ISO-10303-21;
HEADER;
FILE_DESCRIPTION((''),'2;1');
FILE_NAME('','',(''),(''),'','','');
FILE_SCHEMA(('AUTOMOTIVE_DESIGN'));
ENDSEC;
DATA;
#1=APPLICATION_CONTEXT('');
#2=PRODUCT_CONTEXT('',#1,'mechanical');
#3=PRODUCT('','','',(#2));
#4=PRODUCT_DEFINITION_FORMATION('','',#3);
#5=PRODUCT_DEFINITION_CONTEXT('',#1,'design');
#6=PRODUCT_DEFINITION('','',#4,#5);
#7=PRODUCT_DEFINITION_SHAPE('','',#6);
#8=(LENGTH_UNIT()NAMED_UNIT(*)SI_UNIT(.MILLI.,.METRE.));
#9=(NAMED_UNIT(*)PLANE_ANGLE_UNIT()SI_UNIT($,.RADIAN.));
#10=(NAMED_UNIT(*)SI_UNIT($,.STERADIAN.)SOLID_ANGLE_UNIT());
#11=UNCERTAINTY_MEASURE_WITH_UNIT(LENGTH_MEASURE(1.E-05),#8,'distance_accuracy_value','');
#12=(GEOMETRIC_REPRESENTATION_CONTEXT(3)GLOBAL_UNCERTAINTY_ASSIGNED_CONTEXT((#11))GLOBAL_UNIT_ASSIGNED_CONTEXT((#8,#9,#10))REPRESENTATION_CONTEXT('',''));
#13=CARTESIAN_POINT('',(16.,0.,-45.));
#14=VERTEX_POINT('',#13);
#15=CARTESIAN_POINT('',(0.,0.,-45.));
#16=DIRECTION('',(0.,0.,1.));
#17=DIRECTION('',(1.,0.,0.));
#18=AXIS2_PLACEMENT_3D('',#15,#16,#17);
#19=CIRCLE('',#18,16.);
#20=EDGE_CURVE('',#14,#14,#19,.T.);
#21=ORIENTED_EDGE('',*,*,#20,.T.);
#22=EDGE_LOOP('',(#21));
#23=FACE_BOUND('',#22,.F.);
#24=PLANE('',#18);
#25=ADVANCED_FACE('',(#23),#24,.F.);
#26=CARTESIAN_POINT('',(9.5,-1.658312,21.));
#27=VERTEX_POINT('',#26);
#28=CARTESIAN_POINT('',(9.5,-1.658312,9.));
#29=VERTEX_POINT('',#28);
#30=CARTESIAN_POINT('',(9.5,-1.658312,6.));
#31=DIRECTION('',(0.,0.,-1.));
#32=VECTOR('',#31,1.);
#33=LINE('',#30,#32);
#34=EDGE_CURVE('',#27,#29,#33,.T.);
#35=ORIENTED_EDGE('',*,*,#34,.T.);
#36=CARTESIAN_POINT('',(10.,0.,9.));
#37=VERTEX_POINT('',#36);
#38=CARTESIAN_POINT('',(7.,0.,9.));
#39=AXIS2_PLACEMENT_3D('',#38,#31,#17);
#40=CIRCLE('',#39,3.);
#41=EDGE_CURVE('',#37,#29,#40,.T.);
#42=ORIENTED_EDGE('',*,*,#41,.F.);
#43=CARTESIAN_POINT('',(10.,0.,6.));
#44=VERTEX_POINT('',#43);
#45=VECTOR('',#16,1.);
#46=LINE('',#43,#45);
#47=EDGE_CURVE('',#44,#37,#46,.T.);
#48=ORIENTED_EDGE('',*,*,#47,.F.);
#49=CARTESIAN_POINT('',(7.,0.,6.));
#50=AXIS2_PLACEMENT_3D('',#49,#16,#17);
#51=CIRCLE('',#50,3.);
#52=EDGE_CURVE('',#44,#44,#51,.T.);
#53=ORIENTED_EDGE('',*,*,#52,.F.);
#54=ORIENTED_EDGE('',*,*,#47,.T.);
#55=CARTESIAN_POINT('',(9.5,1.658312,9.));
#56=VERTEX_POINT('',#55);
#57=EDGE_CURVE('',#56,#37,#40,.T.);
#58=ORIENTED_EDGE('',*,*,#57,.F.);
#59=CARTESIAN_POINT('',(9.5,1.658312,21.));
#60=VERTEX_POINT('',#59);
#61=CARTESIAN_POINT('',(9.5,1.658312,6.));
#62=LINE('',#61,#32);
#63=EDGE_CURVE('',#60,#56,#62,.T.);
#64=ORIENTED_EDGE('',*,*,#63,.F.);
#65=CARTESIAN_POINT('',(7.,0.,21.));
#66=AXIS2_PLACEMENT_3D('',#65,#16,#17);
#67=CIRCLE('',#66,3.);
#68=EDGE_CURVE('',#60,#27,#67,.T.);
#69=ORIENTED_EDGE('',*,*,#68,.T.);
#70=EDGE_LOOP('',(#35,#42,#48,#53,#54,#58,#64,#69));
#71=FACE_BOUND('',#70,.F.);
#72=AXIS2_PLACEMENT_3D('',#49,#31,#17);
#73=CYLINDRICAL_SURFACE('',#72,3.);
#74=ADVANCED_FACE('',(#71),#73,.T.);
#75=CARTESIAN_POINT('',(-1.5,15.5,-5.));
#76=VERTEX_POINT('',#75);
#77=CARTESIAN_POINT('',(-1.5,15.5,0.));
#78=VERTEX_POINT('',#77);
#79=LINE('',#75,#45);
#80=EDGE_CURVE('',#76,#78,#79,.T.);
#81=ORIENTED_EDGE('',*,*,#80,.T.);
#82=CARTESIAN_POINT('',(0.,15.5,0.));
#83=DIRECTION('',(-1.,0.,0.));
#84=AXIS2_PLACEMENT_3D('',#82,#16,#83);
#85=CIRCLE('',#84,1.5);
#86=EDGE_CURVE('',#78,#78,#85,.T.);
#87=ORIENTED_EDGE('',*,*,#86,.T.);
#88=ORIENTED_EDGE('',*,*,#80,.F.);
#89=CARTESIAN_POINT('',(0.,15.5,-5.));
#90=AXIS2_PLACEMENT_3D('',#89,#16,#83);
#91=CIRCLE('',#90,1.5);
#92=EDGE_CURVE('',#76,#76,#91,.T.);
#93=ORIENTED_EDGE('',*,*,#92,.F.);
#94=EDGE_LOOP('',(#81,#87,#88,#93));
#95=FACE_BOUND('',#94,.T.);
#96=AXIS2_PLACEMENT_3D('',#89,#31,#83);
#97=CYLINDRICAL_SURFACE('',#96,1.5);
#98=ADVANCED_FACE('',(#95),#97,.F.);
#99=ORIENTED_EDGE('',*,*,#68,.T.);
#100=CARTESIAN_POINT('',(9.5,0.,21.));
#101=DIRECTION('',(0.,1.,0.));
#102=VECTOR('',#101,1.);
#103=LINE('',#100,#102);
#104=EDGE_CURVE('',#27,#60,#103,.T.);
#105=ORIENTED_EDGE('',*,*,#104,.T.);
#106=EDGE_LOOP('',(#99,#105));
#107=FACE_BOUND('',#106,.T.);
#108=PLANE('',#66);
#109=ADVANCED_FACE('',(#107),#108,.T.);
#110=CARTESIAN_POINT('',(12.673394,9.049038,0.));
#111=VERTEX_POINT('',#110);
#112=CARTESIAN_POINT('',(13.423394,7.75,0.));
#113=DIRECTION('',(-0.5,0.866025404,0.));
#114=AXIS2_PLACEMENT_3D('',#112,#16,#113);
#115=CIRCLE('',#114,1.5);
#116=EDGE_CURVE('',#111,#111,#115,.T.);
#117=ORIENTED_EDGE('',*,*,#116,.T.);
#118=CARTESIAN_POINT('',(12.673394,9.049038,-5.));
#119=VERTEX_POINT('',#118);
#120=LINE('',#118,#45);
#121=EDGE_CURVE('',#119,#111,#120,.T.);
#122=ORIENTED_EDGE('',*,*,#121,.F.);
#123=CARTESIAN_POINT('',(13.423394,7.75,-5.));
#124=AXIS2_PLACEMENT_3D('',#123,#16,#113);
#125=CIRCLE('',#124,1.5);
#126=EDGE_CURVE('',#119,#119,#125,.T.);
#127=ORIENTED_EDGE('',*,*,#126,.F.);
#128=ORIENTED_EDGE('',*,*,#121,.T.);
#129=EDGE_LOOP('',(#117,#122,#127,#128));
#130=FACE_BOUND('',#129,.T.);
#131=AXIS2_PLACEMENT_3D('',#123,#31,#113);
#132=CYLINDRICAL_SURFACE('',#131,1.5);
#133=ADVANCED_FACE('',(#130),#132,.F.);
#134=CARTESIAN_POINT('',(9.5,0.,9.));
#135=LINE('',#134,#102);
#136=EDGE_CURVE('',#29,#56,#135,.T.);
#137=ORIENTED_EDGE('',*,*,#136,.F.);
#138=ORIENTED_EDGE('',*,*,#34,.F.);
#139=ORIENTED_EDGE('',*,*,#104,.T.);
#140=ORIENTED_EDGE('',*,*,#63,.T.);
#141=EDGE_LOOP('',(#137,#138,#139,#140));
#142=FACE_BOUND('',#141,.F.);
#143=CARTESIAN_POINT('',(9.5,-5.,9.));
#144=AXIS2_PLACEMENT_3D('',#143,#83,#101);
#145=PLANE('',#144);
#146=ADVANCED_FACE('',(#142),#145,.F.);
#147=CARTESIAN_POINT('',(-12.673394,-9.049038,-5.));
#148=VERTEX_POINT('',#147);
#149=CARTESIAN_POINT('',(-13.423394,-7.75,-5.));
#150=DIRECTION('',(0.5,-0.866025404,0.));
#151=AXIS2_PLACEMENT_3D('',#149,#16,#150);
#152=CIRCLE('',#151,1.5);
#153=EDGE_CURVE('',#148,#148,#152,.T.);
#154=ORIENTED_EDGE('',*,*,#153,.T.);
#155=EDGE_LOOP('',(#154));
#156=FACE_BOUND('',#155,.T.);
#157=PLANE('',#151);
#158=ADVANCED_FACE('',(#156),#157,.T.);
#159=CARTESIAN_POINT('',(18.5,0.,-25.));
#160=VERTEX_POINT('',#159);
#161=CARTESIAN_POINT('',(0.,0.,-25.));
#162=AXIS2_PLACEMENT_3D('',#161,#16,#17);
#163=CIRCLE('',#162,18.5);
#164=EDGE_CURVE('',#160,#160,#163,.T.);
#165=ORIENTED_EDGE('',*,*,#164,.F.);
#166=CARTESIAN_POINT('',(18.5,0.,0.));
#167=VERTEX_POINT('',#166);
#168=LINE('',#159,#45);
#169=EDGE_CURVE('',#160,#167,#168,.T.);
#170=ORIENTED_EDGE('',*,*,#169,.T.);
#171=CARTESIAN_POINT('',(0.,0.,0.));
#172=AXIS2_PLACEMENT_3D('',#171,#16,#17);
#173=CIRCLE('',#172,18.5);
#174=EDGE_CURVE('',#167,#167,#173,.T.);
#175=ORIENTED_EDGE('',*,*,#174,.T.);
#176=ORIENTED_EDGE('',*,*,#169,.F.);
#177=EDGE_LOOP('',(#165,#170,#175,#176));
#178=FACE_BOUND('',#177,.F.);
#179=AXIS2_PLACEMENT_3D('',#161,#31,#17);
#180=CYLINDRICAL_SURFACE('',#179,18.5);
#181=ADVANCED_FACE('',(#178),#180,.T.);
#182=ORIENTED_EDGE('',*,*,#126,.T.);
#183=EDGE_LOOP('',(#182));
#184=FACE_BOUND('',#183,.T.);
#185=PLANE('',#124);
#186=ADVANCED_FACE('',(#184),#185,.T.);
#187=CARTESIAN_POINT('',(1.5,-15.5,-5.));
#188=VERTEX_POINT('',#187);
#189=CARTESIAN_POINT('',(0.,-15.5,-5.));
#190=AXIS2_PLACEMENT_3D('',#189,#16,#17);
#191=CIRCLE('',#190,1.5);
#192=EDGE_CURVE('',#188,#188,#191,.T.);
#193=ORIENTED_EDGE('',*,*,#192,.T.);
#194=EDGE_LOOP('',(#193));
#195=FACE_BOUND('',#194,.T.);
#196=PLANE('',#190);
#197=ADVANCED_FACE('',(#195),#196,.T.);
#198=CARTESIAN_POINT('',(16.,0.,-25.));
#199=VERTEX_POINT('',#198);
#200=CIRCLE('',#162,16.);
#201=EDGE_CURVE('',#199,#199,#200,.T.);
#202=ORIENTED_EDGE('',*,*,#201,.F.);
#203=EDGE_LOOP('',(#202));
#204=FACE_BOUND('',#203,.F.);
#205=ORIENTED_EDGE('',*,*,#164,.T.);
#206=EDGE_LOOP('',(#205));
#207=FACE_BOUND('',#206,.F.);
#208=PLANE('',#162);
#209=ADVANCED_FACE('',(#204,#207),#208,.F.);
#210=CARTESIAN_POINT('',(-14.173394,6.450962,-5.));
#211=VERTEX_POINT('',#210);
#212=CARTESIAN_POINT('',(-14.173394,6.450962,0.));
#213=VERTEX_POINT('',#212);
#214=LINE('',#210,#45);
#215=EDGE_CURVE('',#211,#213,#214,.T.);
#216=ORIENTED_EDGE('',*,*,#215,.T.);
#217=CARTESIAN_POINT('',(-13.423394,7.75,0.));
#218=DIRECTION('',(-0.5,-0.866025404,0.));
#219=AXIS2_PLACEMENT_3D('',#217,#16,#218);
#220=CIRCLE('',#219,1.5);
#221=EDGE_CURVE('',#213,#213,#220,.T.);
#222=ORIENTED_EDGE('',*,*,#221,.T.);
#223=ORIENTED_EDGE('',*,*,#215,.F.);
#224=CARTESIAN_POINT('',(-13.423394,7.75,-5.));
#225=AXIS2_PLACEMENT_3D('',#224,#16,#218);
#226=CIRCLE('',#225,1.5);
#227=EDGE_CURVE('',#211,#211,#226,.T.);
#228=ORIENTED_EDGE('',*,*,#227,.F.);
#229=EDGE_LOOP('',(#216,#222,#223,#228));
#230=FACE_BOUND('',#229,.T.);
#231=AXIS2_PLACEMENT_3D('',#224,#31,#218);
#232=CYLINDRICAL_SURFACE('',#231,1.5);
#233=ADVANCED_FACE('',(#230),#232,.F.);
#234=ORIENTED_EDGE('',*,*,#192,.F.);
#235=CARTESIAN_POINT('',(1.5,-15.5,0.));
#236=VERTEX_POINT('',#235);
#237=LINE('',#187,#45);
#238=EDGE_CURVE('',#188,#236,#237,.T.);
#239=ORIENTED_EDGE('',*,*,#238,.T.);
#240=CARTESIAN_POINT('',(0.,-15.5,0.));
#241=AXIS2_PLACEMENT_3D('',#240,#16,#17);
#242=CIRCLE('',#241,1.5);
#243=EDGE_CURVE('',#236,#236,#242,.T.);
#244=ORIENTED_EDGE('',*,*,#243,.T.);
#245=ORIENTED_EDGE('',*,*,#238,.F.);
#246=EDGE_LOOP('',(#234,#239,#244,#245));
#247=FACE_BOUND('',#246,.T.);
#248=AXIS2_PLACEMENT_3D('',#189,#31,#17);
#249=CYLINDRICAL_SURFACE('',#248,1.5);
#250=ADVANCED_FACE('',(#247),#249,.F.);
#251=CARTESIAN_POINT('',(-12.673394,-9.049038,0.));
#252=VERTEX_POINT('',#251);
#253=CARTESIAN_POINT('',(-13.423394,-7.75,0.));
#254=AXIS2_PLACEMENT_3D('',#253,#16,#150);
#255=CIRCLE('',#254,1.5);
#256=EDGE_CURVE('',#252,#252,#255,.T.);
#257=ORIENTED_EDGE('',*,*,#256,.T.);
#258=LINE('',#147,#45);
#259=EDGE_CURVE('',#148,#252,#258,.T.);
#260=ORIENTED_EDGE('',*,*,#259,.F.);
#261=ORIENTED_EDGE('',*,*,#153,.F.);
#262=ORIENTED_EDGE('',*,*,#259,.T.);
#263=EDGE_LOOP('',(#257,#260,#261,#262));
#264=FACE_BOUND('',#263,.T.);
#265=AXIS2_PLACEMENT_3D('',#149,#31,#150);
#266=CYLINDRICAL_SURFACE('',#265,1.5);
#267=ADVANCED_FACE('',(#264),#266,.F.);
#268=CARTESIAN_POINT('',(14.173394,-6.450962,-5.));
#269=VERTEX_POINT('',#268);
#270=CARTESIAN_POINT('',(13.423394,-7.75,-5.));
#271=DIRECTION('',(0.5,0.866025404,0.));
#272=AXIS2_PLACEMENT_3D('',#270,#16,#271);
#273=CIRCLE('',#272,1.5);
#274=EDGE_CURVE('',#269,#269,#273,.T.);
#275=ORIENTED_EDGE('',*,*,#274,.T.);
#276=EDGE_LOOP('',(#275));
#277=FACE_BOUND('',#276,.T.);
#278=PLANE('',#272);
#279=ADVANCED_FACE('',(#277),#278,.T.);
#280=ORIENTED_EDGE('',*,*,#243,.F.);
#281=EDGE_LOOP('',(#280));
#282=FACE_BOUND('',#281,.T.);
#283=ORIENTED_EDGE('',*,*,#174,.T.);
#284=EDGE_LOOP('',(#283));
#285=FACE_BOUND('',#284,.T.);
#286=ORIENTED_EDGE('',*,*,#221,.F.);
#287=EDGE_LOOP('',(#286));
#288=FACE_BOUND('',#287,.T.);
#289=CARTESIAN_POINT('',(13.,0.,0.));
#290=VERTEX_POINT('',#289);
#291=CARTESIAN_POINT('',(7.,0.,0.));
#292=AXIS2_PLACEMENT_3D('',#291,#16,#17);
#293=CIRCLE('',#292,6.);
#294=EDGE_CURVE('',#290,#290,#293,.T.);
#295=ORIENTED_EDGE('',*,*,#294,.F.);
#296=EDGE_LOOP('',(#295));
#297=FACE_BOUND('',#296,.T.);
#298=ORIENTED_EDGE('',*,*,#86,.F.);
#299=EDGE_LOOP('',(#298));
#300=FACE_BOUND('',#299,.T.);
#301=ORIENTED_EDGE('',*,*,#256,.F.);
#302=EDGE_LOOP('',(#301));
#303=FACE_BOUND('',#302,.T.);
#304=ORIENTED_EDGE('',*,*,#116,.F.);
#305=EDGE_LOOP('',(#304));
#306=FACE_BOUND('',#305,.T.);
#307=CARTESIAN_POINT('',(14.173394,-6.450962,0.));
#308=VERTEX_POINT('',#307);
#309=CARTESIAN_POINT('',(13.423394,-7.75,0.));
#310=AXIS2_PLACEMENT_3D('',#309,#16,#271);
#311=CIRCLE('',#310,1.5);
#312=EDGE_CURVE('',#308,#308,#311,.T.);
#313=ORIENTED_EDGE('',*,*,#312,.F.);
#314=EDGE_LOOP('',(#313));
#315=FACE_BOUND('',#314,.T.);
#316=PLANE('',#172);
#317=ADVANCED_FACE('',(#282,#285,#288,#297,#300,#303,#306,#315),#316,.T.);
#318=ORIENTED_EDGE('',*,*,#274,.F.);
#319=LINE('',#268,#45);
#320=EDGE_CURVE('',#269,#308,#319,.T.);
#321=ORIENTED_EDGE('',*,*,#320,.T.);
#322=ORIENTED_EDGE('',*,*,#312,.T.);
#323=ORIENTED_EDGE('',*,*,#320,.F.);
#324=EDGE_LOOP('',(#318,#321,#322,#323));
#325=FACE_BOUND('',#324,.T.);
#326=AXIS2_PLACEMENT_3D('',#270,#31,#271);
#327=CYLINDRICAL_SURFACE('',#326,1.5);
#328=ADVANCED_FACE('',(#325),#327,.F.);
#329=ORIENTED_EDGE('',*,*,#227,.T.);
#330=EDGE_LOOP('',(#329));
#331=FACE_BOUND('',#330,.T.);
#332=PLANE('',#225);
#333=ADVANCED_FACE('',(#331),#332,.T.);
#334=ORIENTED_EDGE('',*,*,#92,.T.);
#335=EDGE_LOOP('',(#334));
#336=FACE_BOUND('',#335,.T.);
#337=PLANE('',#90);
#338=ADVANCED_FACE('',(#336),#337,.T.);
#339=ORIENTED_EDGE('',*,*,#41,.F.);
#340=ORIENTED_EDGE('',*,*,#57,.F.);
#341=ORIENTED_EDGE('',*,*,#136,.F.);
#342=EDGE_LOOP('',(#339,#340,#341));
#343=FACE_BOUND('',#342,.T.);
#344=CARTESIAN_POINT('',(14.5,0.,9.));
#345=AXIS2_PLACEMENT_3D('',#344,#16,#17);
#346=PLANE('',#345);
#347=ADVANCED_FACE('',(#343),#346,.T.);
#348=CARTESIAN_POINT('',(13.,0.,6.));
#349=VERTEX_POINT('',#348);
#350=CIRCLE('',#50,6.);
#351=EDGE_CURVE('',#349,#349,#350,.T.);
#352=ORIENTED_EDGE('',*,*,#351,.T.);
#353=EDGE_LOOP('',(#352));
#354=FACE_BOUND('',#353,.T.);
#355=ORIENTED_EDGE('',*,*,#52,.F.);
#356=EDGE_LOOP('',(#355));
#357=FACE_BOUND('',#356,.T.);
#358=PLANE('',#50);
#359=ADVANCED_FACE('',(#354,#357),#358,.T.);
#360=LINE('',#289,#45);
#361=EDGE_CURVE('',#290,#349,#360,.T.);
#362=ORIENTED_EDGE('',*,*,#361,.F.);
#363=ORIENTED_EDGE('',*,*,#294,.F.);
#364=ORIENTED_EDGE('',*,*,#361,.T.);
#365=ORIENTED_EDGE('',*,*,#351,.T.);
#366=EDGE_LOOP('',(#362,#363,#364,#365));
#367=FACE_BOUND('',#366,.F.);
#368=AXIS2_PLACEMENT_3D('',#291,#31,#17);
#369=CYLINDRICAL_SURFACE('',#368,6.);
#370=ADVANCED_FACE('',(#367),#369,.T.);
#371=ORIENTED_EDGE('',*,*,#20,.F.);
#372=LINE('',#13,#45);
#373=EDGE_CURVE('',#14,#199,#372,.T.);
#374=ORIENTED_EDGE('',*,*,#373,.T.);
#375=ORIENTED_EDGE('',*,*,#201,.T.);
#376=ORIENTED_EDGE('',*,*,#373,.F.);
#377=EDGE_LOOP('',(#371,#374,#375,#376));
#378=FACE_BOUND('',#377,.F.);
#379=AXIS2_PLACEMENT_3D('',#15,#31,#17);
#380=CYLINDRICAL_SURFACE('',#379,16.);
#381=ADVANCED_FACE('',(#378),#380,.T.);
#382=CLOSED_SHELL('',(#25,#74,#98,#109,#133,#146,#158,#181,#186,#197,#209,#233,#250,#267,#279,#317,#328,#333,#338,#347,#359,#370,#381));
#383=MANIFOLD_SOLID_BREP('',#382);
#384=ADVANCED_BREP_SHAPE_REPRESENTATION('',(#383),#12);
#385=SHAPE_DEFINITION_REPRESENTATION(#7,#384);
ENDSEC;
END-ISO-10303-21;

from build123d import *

# Parameters (mm, degrees)
BOX_W             = 10
BOX_H             = 10
BOX_DEPTH         = 12
CYLINDER004_R     = 1.5
CYLINDER004_DEPTH = 5
ARRAY_COUNT       = 6
CYLINDER001_R     = 18.5
CYLINDER001_DEPTH = 25
CYLINDER002_R     = 6
CYLINDER002_DEPTH = 6
CYLINDER003_R     = 3
CYLINDER003_DEPTH = 15
CYLINDER_R        = 16
CYLINDER_DEPTH    = 20


with BuildPart() as shaft_d_cut_out:
    # Box → Box (new body)
    with BuildSketch(Plane(origin=(9.5, -5, 9), x_dir=(1, 0, 0), z_dir=(0, 0, 1))):
        with Locations((5, 5)):
            Rectangle(BOX_W, BOX_H)
    extrude(amount=BOX_DEPTH)


with BuildPart() as negative_fusion:
    # Cylinder004 → Cylinder004 (new body)
    with BuildSketch(Plane(origin=(0, -15.5, -5), x_dir=(1, 0, 0), z_dir=(0, 0, 1))):
        Circle(CYLINDER004_R)
    extrude(amount=CYLINDER004_DEPTH)

    # Array: Negative Fusion ×6 about axis
    array_axis = Axis((0, 0, 0), (0, 0, 1))


with BuildPart() as negative_fusion_1:
    add(negative_fusion.part)
    for i in range(1, ARRAY_COUNT):
        add(negative_fusion.part.rotate(array_axis, i * 360 / ARRAY_COUNT))

    # Fusion: union Shaft D Cut Out
    add(shaft_d_cut_out.part)


with BuildPart() as gear_box:
    # Cylinder001 → Cylinder001 (new body)
    with BuildSketch(Plane.XY.offset(-25)):
        Circle(CYLINDER001_R)
    extrude(amount=CYLINDER001_DEPTH)


with BuildPart() as shaft_flange:
    # Cylinder002 → Cylinder002 (new body)
    with BuildSketch(Plane(origin=(7, 0, 0), x_dir=(1, 0, 0), z_dir=(0, 0, 1))):
        Circle(CYLINDER002_R)
    extrude(amount=CYLINDER002_DEPTH)


with BuildPart() as shaft:
    # Cylinder003 → Cylinder003 (new body)
    with BuildSketch(Plane(origin=(7, 0, 6), x_dir=(1, 0, 0), z_dir=(0, 0, 1))):
        Circle(CYLINDER003_R)
    extrude(amount=CYLINDER003_DEPTH)


with BuildPart() as dc_gear_motor_37mm:
    # Cylinder → Cylinder (new body)
    with BuildSketch(Plane.XY.offset(-45)):
        Circle(CYLINDER_R)
    extrude(amount=CYLINDER_DEPTH)

    # Fusion001: union Gear Box, Shaft Flange, Shaft
    add(gear_box.part)
    add(shaft_flange.part)
    add(shaft.part)

    # Cut: cut Negative Fusion
    add(negative_fusion_1.part, mode=Mode.SUBTRACT)


solid = dc_gear_motor_37mm.part
